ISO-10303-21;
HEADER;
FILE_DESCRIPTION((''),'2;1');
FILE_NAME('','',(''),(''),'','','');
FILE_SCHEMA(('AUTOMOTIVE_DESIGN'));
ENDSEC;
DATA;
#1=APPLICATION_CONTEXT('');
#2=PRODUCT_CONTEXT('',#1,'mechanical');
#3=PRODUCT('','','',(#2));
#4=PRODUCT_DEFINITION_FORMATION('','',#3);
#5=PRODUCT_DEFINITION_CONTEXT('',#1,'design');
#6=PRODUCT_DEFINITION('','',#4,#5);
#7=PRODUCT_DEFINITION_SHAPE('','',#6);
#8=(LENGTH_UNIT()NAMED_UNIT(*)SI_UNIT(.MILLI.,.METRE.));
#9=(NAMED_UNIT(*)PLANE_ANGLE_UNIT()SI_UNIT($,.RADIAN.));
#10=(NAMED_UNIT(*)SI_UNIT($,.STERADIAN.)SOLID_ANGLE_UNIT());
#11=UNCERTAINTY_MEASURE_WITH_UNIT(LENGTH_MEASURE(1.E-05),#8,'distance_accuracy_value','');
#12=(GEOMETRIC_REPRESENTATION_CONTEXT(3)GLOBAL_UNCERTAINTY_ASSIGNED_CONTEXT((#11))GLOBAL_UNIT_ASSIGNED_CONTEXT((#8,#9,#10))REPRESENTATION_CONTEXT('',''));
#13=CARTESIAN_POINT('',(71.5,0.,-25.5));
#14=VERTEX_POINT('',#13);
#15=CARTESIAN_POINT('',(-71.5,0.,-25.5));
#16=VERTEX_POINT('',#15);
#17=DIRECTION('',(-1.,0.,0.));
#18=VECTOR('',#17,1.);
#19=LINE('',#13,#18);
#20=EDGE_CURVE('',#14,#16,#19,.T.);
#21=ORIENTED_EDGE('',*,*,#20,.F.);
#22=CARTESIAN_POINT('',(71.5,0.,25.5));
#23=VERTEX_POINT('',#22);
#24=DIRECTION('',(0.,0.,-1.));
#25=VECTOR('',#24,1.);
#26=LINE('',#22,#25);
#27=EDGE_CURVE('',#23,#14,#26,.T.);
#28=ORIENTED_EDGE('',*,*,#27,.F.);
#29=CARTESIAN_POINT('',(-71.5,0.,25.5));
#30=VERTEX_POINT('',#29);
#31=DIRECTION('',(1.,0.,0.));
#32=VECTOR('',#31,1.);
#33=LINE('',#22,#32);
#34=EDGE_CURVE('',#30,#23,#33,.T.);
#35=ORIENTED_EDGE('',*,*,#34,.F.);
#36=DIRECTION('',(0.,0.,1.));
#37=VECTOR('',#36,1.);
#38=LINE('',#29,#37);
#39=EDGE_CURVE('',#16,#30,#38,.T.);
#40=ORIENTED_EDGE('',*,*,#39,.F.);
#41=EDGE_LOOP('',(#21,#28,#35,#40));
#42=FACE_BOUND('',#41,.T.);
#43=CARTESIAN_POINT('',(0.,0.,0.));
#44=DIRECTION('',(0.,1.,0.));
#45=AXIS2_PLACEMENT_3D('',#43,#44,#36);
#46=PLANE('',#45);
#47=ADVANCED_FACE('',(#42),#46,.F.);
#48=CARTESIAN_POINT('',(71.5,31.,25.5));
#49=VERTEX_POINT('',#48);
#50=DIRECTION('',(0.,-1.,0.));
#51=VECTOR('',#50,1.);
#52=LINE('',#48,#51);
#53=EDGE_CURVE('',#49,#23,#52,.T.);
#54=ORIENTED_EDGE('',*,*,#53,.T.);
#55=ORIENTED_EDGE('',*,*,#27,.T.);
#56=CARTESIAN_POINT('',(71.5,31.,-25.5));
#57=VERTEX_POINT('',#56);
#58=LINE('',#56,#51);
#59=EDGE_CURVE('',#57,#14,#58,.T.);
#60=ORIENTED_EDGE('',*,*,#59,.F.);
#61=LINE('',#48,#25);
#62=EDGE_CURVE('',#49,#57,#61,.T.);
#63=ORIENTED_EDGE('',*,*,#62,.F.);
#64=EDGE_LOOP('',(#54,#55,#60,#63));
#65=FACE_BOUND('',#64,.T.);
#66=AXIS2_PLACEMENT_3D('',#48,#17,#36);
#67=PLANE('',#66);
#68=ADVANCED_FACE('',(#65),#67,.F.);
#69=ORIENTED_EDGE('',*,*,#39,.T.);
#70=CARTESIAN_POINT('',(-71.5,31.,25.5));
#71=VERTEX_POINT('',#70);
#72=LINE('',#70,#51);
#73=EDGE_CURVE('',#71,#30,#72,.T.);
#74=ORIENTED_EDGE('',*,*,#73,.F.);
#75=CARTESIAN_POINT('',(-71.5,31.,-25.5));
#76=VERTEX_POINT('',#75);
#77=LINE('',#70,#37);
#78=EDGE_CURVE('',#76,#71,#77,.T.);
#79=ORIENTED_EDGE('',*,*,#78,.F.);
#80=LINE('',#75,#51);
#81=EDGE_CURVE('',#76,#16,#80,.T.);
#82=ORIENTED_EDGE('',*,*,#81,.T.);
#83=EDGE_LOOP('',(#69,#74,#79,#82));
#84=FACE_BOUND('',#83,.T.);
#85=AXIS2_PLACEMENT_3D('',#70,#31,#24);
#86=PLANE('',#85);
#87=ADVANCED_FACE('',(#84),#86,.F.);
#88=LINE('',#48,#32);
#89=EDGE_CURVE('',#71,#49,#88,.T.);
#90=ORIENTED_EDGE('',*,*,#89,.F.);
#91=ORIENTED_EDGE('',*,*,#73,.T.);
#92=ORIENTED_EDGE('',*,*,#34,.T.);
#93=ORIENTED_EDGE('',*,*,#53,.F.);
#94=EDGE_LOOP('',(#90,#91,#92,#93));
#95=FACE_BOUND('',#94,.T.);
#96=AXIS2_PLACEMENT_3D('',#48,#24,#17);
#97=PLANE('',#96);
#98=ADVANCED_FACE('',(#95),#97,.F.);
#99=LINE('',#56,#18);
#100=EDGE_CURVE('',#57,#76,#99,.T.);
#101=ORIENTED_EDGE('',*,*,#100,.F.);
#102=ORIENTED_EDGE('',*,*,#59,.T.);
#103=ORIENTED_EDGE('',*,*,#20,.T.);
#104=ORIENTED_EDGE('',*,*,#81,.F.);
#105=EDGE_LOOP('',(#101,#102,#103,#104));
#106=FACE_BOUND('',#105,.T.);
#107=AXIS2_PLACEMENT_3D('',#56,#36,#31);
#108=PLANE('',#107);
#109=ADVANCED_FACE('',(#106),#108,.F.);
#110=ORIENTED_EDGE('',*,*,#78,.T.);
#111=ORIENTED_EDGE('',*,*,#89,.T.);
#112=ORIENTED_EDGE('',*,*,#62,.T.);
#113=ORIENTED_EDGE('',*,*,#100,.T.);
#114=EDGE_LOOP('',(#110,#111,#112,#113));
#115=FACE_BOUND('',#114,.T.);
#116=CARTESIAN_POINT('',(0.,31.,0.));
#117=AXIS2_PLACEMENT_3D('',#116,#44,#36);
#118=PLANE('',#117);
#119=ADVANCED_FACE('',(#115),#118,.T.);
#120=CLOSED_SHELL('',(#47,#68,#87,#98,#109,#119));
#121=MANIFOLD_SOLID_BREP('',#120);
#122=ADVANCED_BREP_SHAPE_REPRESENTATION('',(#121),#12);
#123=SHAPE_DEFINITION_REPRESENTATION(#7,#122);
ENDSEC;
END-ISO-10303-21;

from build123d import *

# Parameters (mm, degrees)
SCHIZZO1_W                   = 143
SCHIZZO1_H                   = 51
ESTRUSIONE_ESTRUSIONE1_DEPTH = 31


with BuildPart() as part:
    # Schizzo1 → Estrusione-Estrusione1 (new body)
    with BuildSketch(Plane(origin=(0, 0, 0), x_dir=(1, 0, 0), z_dir=(0, 1, 0))):
        Rectangle(SCHIZZO1_W, SCHIZZO1_H)
    extrude(amount=ESTRUSIONE_ESTRUSIONE1_DEPTH)


solid = part.part
